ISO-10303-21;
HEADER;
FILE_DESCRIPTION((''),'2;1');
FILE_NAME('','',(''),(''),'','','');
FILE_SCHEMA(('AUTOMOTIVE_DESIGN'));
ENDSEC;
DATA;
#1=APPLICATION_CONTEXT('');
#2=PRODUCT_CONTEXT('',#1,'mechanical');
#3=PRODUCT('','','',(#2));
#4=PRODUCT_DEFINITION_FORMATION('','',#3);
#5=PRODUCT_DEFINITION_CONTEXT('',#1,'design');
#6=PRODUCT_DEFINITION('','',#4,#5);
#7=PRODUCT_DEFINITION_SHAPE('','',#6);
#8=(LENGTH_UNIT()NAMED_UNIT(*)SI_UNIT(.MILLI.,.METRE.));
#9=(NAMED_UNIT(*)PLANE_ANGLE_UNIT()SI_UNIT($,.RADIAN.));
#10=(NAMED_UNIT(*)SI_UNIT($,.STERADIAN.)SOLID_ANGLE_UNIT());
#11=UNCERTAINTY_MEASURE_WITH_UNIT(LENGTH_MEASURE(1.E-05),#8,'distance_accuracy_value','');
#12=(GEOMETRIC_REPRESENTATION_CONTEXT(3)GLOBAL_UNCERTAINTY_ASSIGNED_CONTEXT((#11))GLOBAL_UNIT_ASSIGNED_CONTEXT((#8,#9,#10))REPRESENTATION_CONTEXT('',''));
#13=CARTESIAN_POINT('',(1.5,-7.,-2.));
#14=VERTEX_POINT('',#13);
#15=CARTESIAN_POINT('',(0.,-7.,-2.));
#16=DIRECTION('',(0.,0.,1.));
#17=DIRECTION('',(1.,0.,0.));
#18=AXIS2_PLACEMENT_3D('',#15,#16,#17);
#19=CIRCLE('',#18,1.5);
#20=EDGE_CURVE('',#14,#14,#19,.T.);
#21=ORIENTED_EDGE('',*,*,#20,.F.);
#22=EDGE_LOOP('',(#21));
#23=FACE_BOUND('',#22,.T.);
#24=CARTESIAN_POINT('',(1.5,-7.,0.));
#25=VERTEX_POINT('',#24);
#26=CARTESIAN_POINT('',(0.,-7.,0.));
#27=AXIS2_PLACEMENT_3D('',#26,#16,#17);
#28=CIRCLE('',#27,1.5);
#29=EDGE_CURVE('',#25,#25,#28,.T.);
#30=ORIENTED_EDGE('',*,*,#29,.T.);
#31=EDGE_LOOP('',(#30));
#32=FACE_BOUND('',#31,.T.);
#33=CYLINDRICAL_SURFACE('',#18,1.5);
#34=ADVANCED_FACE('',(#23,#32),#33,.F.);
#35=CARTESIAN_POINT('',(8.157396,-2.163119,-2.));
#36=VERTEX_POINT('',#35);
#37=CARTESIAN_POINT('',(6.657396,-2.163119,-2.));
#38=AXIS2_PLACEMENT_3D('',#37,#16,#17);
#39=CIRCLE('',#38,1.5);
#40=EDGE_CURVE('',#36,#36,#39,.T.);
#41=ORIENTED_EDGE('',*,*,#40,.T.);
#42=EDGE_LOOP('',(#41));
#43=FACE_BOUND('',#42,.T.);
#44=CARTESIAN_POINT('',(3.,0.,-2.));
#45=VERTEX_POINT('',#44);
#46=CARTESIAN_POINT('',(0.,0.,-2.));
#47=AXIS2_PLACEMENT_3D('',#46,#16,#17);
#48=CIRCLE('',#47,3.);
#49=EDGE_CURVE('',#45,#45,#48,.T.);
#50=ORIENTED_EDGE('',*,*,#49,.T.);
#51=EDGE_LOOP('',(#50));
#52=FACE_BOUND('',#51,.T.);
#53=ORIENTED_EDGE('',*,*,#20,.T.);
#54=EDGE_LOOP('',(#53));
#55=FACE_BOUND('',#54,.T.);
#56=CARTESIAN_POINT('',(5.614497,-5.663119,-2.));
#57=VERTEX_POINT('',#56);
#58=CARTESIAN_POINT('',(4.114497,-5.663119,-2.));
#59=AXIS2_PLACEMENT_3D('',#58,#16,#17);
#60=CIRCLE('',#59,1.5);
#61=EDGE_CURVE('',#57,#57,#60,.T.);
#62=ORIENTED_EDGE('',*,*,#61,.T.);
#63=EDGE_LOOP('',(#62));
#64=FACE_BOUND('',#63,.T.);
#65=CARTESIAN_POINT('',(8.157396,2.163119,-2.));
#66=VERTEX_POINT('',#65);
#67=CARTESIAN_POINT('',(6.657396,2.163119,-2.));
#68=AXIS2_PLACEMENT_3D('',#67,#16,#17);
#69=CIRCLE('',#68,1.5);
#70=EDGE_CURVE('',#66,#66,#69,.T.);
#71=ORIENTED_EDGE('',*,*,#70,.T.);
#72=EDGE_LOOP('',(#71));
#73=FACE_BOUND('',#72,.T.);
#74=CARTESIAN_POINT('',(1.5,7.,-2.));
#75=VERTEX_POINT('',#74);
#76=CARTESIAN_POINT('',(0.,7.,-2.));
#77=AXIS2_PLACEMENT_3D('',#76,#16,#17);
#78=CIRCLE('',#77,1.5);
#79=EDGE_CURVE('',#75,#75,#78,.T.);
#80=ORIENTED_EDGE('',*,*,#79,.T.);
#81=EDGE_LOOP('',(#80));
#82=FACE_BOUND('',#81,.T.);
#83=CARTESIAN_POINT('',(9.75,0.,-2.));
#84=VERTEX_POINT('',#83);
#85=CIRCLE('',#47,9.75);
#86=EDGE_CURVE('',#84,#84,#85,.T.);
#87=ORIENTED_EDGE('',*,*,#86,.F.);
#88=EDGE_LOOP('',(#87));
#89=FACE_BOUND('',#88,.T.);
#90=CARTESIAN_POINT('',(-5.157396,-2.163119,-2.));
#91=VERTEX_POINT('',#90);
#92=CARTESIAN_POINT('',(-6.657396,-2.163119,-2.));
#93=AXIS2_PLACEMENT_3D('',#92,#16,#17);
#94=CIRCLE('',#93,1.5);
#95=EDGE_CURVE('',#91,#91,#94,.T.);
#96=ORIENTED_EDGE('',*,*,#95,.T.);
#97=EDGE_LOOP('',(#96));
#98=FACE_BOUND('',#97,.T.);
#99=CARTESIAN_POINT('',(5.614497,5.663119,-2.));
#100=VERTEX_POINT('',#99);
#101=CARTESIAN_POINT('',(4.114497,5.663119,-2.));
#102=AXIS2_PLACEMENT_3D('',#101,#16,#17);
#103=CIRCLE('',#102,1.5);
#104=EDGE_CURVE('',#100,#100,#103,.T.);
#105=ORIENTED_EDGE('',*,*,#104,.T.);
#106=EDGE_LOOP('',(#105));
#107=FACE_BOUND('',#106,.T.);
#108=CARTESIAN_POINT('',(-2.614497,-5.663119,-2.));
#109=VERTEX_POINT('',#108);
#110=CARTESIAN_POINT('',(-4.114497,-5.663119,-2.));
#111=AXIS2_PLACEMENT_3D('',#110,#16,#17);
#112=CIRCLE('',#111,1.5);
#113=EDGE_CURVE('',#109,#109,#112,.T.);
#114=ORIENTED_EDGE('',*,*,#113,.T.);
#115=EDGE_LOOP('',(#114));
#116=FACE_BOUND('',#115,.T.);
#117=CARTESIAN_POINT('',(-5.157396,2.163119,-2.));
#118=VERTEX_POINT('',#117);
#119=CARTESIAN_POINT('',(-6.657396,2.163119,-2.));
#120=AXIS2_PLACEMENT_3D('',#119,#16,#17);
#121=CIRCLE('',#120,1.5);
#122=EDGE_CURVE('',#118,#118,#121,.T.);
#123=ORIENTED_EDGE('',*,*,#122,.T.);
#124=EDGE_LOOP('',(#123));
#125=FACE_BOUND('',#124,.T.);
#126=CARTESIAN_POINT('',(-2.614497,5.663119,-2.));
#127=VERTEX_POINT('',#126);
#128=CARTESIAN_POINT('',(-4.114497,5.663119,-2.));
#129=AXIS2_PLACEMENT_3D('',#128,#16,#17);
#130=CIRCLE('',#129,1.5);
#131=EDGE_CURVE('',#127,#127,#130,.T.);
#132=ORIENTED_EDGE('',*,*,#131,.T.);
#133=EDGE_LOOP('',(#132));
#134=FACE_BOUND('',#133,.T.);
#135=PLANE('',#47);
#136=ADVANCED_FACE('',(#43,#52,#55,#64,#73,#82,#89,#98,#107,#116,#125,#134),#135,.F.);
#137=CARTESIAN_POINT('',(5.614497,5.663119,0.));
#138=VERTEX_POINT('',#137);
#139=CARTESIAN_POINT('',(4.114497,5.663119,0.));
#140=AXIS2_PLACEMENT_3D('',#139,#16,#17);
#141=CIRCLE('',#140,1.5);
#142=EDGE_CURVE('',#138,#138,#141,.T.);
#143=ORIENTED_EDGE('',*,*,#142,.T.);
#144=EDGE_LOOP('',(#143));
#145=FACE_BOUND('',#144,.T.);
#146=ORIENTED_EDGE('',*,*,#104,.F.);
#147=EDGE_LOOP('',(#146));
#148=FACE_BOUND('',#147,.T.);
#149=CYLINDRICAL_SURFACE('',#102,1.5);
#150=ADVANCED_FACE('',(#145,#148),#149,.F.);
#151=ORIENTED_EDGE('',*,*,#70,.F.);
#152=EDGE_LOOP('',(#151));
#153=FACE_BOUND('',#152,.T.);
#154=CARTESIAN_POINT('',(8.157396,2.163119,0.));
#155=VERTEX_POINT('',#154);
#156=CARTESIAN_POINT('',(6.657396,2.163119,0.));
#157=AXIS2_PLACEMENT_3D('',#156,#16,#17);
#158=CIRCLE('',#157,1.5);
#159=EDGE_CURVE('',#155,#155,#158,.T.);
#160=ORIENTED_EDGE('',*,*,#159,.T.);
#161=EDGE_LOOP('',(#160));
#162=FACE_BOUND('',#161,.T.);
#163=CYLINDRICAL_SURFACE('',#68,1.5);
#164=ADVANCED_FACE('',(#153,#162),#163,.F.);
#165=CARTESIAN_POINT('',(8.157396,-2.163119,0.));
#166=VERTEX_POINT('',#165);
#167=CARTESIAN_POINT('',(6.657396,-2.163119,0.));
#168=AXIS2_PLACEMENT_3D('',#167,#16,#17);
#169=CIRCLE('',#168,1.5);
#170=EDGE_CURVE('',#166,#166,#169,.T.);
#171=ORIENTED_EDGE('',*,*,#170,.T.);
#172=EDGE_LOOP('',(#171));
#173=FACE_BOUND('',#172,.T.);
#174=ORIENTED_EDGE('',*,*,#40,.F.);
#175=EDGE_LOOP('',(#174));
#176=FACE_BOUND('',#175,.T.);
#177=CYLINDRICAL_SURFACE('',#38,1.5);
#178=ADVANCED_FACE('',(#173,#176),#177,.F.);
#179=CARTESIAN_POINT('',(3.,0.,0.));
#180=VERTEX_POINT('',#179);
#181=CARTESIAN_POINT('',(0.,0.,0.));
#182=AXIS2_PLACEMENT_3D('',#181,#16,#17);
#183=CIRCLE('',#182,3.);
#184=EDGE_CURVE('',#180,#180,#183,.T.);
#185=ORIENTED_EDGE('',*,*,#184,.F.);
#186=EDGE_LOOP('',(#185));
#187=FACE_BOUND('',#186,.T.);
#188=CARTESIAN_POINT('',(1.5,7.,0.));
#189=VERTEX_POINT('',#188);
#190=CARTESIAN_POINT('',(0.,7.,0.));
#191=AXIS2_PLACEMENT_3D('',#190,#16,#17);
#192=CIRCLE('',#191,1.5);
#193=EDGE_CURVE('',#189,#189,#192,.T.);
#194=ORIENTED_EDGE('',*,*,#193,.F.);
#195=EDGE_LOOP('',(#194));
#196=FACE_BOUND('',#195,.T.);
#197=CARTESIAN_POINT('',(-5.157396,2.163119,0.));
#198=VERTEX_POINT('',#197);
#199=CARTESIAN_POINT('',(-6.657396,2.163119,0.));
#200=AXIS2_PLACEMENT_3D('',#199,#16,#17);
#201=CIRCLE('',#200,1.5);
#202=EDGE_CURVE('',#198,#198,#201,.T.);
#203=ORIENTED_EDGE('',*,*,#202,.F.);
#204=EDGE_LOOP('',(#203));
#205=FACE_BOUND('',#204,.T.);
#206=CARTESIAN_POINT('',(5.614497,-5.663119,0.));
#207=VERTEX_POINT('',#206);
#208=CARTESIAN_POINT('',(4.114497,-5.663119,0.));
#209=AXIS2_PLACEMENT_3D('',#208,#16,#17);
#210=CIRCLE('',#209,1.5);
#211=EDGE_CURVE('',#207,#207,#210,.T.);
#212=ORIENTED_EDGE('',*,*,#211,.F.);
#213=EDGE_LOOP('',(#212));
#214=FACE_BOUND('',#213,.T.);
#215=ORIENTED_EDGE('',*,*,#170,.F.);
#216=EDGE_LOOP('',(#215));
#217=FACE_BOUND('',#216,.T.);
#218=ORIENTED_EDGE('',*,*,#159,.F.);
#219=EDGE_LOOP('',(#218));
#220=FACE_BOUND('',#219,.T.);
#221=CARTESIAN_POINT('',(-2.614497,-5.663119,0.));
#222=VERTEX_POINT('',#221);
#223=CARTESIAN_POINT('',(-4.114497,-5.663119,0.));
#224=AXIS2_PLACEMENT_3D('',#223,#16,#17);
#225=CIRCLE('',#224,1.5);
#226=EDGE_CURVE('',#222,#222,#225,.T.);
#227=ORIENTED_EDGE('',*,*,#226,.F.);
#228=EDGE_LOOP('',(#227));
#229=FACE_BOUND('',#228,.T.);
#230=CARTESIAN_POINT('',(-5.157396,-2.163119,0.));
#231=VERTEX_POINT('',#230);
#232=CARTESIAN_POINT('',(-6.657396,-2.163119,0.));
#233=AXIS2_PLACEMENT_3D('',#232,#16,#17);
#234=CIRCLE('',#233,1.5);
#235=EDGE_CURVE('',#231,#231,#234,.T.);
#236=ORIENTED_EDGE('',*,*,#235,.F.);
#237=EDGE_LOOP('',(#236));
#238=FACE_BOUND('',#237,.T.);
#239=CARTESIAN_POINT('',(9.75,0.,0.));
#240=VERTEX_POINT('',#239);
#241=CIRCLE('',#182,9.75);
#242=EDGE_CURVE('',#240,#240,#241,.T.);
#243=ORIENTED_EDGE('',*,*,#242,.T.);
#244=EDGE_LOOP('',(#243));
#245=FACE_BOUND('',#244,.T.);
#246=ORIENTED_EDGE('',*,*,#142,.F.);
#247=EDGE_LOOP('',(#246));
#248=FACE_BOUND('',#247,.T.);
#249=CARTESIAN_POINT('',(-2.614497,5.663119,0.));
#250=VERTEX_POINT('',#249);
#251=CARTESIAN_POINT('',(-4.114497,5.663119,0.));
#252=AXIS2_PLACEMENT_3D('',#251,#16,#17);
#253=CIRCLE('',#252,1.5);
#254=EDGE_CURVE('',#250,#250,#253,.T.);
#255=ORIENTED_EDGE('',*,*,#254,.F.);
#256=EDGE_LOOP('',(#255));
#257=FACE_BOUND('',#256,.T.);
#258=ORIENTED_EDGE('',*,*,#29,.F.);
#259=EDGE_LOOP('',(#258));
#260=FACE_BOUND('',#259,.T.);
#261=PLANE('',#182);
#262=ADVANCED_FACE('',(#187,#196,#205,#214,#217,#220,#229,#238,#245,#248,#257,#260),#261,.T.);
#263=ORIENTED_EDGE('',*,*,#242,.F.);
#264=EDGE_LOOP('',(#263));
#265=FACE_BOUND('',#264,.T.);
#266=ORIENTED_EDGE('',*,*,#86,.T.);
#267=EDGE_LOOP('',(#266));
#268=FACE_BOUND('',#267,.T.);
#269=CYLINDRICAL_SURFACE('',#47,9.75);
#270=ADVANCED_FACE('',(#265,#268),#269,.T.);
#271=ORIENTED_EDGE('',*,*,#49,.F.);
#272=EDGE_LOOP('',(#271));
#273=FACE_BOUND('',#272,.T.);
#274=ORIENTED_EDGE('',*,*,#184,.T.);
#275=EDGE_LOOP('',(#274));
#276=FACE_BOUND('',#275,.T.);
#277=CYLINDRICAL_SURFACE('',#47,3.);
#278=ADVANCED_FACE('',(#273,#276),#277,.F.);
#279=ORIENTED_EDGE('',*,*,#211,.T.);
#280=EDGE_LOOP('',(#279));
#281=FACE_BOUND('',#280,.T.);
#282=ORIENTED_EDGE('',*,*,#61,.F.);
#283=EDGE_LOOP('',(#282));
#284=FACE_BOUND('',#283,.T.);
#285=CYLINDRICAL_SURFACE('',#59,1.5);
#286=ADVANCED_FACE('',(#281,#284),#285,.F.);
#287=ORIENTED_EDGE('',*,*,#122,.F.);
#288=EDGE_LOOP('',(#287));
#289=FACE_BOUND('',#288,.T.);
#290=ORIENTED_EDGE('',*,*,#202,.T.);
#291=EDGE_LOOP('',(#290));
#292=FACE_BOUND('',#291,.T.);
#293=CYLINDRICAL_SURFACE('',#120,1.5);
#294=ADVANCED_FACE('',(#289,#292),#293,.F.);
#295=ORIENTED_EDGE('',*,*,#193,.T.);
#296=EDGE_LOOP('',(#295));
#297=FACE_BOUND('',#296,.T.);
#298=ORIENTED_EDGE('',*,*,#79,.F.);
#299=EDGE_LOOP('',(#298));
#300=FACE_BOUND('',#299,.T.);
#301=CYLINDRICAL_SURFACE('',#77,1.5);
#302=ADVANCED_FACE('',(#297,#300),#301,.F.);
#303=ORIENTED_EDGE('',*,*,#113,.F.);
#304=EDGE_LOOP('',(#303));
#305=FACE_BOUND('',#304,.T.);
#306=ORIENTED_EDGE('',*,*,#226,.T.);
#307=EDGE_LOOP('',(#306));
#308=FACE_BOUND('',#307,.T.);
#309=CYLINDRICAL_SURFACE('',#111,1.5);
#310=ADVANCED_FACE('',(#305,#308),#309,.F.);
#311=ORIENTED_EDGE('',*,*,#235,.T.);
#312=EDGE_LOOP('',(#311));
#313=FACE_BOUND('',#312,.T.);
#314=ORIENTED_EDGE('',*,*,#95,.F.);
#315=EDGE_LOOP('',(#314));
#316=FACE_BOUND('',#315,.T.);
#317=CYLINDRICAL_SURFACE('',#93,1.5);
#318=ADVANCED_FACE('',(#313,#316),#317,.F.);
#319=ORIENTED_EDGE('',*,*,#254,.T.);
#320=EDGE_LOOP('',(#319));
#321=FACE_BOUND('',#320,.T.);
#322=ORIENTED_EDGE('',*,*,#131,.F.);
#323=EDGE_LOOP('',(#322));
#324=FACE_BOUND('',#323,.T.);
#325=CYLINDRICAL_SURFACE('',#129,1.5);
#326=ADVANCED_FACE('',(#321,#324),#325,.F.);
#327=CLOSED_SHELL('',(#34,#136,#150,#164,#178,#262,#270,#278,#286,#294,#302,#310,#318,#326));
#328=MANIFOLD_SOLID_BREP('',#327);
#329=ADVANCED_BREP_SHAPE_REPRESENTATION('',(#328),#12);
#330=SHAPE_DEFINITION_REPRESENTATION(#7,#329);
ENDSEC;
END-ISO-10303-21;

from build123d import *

# Parameters (mm, degrees)
SKETCH1_R           = 9.75
SKETCH1_R_2         = 3
SKETCH1_R_3         = 1.5
BOSS_EXTRUDE1_DEPTH = 2


with BuildPart() as part:
    # Sketch1 → Boss-Extrude1 (new body)
    with BuildSketch(Plane.XY):
        Circle(SKETCH1_R)
        Circle(SKETCH1_R_2, mode=Mode.SUBTRACT)
        with Locations((0, 7)):
            Circle(SKETCH1_R_3, mode=Mode.SUBTRACT)
        with Locations((4.114496766, 5.663118961)):
            Circle(SKETCH1_R_3, mode=Mode.SUBTRACT)
        with Locations((6.657395614, 2.163118961)):
            Circle(SKETCH1_R_3, mode=Mode.SUBTRACT)
        with Locations((6.657395614, -2.163118961)):
            Circle(SKETCH1_R_3, mode=Mode.SUBTRACT)
        with Locations((4.114496766, -5.663118961)):
            Circle(SKETCH1_R_3, mode=Mode.SUBTRACT)
        with Locations((0, -7)):
            Circle(SKETCH1_R_3, mode=Mode.SUBTRACT)
        with Locations((-4.114496766, -5.663118961)):
            Circle(SKETCH1_R_3, mode=Mode.SUBTRACT)
        with Locations((-6.657395614, -2.163118961)):
            Circle(SKETCH1_R_3, mode=Mode.SUBTRACT)
        with Locations((-6.657395614, 2.163118961)):
            Circle(SKETCH1_R_3, mode=Mode.SUBTRACT)
        with Locations((-4.114496766, 5.663118961)):
            Circle(SKETCH1_R_3, mode=Mode.SUBTRACT)
    extrude(amount=-BOSS_EXTRUDE1_DEPTH)


solid = part.part
